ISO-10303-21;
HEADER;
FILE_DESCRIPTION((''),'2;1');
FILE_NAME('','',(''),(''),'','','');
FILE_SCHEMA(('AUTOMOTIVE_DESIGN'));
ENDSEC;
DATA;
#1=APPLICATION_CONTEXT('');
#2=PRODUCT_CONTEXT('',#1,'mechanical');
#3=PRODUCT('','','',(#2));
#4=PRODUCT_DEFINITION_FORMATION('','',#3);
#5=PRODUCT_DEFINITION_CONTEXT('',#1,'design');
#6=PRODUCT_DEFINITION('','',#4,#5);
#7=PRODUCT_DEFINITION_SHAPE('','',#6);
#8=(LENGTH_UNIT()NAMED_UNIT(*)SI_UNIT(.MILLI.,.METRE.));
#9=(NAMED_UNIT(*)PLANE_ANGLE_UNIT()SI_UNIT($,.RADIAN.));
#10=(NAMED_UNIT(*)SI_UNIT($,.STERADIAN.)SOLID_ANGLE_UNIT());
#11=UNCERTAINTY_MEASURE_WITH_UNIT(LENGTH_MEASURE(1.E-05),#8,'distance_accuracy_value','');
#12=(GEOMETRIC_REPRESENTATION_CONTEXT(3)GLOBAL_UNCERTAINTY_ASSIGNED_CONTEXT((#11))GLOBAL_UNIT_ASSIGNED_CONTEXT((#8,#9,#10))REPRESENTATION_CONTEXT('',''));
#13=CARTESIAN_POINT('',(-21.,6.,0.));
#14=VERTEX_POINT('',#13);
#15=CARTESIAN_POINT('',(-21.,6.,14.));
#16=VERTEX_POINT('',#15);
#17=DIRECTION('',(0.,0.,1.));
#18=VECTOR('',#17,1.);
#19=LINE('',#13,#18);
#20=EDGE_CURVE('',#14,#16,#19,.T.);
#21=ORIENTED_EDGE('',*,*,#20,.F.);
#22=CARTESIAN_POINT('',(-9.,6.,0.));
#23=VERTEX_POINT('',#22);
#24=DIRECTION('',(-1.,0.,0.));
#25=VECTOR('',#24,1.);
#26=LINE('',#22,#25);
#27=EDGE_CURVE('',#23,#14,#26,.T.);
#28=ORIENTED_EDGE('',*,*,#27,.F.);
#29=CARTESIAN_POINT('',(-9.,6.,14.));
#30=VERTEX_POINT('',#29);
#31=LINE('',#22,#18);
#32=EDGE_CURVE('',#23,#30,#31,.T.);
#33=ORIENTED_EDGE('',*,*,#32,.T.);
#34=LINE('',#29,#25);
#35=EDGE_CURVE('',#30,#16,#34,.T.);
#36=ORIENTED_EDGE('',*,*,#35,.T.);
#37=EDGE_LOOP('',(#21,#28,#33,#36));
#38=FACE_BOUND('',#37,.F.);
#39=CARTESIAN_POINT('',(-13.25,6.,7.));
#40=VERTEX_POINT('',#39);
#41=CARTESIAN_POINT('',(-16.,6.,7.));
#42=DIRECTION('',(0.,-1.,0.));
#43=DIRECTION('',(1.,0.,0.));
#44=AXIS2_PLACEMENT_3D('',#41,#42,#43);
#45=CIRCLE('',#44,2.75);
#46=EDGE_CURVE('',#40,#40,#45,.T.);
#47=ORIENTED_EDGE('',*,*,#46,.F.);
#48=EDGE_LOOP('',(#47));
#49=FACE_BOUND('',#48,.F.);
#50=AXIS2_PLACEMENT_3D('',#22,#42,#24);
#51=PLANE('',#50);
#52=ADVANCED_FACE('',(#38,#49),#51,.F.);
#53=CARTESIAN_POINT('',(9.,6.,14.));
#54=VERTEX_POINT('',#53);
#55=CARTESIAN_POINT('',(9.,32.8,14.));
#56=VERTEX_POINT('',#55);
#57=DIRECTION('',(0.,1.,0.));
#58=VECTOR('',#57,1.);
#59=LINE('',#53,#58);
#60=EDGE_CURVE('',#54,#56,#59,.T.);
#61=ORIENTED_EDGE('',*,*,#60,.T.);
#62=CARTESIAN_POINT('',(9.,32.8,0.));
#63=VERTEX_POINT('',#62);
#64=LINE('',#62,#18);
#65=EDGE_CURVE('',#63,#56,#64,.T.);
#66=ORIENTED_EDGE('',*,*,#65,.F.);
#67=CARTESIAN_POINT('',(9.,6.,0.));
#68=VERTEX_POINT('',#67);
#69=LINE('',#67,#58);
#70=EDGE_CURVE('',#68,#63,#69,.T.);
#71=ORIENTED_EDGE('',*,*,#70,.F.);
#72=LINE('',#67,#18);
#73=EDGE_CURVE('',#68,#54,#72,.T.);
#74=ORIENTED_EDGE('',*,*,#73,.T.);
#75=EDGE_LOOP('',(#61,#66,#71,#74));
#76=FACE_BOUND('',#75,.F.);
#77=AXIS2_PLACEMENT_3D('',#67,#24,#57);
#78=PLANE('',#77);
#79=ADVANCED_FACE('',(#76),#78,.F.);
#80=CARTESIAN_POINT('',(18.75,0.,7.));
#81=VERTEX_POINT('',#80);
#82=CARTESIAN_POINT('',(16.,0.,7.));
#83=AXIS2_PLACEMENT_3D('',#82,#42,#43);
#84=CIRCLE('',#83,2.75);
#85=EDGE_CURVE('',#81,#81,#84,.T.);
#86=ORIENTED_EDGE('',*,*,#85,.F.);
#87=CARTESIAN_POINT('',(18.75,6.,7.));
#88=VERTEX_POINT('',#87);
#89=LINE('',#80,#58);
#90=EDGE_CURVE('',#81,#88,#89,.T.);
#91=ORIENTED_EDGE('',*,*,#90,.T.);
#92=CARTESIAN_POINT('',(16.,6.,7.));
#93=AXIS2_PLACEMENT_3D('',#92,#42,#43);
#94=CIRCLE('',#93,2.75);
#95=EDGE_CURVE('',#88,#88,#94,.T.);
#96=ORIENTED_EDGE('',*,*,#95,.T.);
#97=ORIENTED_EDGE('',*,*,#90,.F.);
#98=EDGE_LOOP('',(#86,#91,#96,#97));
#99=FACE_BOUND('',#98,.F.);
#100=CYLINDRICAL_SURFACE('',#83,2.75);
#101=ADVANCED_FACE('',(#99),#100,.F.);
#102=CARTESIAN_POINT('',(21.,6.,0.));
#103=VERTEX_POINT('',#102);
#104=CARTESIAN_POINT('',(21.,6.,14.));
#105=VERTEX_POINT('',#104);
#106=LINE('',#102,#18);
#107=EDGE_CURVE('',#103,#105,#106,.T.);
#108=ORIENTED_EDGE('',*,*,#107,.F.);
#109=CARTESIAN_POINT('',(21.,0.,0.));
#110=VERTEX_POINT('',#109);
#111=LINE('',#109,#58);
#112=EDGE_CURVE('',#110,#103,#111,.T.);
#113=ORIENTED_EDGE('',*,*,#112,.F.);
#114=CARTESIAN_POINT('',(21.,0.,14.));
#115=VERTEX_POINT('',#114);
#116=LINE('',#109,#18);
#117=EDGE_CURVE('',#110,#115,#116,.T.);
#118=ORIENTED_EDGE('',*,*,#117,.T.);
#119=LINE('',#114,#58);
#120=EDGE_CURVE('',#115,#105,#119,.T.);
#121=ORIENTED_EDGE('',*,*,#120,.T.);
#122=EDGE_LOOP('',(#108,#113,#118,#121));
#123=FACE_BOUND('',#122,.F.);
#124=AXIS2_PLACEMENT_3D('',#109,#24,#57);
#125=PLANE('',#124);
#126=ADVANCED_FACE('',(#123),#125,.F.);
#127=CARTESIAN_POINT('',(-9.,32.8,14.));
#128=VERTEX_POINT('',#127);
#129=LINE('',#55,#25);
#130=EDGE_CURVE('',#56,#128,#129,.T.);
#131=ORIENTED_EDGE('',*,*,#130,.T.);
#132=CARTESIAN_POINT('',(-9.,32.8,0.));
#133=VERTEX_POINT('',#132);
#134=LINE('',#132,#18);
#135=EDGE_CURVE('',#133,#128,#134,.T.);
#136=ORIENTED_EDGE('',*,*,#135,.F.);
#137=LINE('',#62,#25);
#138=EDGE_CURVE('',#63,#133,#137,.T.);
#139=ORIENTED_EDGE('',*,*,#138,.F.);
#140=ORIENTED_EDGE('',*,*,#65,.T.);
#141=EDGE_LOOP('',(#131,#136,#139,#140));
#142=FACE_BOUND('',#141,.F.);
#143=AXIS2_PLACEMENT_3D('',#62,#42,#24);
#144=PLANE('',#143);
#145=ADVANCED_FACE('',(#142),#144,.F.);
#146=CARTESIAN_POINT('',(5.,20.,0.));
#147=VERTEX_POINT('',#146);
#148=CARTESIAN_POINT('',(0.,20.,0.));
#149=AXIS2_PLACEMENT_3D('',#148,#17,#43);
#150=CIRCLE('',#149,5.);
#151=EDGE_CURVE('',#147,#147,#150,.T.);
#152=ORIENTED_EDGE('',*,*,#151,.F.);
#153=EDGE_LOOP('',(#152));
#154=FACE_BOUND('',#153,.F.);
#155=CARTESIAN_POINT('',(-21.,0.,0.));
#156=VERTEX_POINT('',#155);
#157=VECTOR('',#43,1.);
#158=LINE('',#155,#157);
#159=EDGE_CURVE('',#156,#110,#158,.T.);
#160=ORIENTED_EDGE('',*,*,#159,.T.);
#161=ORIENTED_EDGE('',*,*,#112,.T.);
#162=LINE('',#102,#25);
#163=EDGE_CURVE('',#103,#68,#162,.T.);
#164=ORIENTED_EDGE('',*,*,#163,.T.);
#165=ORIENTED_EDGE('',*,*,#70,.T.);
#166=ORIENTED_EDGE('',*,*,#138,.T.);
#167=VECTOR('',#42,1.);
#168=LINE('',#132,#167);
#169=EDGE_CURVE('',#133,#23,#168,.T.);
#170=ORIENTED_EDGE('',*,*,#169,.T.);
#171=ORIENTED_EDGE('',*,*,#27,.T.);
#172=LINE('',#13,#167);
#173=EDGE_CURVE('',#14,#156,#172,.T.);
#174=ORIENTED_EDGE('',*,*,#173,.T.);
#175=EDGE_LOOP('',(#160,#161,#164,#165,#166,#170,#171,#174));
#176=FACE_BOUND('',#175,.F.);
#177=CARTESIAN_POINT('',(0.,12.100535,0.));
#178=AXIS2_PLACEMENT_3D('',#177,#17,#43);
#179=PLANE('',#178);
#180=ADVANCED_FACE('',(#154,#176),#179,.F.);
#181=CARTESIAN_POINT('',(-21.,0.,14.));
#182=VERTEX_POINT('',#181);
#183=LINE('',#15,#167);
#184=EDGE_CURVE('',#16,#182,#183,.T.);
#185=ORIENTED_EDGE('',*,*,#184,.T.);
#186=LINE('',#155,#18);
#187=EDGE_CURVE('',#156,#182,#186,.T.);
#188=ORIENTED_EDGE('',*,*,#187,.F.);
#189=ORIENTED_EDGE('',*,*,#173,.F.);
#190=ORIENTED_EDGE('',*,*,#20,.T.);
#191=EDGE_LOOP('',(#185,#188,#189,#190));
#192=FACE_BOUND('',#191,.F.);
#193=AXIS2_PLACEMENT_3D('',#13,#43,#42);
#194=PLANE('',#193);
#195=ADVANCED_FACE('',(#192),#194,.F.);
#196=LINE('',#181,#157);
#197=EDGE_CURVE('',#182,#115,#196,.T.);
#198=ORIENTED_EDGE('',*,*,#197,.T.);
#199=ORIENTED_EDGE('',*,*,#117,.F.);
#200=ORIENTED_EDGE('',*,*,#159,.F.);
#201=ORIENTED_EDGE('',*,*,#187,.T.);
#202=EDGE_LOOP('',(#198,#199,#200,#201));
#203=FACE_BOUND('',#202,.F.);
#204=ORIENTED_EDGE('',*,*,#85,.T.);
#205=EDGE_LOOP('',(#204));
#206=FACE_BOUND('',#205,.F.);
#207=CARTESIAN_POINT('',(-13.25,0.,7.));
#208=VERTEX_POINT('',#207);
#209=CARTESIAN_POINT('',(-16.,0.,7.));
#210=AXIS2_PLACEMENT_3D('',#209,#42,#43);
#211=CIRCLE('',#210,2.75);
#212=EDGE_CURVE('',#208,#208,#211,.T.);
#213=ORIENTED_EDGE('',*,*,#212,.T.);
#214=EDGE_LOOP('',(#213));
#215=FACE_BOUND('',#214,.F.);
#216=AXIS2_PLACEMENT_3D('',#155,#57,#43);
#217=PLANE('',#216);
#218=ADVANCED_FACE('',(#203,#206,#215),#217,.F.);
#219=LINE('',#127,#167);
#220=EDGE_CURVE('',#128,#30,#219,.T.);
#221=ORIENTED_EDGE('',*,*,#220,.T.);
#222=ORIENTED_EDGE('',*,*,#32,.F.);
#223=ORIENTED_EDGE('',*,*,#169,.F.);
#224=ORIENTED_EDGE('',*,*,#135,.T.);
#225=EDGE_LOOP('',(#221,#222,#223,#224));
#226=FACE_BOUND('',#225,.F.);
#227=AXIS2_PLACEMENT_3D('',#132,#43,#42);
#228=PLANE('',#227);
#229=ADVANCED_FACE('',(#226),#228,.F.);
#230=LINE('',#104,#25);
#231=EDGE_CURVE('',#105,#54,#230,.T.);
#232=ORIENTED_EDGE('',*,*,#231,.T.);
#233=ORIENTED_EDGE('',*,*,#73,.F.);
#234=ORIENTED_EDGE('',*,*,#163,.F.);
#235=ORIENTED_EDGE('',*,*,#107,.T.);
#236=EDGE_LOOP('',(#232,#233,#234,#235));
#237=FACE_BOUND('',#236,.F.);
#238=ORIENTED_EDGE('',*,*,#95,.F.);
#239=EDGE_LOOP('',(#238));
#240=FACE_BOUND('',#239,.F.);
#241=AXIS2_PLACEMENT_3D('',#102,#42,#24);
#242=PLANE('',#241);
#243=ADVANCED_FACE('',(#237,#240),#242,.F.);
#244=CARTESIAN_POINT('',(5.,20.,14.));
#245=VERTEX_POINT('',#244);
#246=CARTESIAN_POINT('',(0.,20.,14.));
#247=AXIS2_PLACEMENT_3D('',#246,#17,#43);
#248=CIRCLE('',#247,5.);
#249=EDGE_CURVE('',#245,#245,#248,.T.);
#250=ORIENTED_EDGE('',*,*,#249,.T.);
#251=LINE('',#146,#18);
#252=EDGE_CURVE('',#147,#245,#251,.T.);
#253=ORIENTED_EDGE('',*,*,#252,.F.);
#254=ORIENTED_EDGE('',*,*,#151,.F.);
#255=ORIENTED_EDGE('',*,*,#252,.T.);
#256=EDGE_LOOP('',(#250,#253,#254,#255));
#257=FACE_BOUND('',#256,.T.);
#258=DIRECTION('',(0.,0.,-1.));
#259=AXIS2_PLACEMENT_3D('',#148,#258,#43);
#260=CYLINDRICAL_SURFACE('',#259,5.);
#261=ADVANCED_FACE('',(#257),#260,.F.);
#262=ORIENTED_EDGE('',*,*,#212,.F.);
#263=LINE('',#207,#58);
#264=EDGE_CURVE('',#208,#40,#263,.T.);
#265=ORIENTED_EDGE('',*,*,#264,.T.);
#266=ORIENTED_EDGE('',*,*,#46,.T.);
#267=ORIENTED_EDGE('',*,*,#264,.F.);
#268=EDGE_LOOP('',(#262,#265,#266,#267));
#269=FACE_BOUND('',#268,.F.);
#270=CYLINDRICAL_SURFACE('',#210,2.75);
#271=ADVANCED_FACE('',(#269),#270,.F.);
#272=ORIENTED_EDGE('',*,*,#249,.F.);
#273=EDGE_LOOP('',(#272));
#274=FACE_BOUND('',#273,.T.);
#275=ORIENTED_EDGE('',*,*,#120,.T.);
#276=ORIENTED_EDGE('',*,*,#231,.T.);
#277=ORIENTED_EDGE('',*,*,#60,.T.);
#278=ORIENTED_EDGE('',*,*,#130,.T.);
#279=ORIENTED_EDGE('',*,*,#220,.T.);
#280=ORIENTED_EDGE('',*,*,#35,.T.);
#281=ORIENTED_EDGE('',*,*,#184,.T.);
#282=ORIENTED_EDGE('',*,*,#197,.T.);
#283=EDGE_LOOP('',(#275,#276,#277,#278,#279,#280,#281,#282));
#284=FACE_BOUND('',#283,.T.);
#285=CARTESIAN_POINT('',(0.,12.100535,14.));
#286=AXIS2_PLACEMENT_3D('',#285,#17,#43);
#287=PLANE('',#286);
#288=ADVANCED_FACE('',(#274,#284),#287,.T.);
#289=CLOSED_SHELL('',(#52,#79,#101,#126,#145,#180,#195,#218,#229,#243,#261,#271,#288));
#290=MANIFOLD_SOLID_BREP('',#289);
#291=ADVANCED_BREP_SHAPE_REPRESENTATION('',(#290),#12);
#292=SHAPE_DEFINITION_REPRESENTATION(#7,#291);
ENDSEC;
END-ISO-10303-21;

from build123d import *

# Parameters (mm, degrees)
F0_R     = 5
F1_DEPTH = 14
F2_R     = 2.75
F3_DEPTH = 6


with BuildPart() as f1:
    # F0 (on Top) → F1 (new body)
    with BuildSketch(Plane.XY):
        Polygon((9, 32.8), (-9, 32.8), (-9, 6), (-21, 6), (-21, 0), (21, 0), (21, 6), (9, 6), align=None)
        with Locations((0, 20)):
            Circle(F0_R, mode=Mode.SUBTRACT)
    extrude(amount=F1_DEPTH)

    # F2 (on Front) → F3 (cut)
    with BuildSketch(Plane.XZ):
        with Locations((-16, 7)):
            Circle(F2_R)
        with Locations((16, 7)):
            Circle(F2_R)
    extrude(amount=-F3_DEPTH, mode=Mode.SUBTRACT)


solid = f1.part
